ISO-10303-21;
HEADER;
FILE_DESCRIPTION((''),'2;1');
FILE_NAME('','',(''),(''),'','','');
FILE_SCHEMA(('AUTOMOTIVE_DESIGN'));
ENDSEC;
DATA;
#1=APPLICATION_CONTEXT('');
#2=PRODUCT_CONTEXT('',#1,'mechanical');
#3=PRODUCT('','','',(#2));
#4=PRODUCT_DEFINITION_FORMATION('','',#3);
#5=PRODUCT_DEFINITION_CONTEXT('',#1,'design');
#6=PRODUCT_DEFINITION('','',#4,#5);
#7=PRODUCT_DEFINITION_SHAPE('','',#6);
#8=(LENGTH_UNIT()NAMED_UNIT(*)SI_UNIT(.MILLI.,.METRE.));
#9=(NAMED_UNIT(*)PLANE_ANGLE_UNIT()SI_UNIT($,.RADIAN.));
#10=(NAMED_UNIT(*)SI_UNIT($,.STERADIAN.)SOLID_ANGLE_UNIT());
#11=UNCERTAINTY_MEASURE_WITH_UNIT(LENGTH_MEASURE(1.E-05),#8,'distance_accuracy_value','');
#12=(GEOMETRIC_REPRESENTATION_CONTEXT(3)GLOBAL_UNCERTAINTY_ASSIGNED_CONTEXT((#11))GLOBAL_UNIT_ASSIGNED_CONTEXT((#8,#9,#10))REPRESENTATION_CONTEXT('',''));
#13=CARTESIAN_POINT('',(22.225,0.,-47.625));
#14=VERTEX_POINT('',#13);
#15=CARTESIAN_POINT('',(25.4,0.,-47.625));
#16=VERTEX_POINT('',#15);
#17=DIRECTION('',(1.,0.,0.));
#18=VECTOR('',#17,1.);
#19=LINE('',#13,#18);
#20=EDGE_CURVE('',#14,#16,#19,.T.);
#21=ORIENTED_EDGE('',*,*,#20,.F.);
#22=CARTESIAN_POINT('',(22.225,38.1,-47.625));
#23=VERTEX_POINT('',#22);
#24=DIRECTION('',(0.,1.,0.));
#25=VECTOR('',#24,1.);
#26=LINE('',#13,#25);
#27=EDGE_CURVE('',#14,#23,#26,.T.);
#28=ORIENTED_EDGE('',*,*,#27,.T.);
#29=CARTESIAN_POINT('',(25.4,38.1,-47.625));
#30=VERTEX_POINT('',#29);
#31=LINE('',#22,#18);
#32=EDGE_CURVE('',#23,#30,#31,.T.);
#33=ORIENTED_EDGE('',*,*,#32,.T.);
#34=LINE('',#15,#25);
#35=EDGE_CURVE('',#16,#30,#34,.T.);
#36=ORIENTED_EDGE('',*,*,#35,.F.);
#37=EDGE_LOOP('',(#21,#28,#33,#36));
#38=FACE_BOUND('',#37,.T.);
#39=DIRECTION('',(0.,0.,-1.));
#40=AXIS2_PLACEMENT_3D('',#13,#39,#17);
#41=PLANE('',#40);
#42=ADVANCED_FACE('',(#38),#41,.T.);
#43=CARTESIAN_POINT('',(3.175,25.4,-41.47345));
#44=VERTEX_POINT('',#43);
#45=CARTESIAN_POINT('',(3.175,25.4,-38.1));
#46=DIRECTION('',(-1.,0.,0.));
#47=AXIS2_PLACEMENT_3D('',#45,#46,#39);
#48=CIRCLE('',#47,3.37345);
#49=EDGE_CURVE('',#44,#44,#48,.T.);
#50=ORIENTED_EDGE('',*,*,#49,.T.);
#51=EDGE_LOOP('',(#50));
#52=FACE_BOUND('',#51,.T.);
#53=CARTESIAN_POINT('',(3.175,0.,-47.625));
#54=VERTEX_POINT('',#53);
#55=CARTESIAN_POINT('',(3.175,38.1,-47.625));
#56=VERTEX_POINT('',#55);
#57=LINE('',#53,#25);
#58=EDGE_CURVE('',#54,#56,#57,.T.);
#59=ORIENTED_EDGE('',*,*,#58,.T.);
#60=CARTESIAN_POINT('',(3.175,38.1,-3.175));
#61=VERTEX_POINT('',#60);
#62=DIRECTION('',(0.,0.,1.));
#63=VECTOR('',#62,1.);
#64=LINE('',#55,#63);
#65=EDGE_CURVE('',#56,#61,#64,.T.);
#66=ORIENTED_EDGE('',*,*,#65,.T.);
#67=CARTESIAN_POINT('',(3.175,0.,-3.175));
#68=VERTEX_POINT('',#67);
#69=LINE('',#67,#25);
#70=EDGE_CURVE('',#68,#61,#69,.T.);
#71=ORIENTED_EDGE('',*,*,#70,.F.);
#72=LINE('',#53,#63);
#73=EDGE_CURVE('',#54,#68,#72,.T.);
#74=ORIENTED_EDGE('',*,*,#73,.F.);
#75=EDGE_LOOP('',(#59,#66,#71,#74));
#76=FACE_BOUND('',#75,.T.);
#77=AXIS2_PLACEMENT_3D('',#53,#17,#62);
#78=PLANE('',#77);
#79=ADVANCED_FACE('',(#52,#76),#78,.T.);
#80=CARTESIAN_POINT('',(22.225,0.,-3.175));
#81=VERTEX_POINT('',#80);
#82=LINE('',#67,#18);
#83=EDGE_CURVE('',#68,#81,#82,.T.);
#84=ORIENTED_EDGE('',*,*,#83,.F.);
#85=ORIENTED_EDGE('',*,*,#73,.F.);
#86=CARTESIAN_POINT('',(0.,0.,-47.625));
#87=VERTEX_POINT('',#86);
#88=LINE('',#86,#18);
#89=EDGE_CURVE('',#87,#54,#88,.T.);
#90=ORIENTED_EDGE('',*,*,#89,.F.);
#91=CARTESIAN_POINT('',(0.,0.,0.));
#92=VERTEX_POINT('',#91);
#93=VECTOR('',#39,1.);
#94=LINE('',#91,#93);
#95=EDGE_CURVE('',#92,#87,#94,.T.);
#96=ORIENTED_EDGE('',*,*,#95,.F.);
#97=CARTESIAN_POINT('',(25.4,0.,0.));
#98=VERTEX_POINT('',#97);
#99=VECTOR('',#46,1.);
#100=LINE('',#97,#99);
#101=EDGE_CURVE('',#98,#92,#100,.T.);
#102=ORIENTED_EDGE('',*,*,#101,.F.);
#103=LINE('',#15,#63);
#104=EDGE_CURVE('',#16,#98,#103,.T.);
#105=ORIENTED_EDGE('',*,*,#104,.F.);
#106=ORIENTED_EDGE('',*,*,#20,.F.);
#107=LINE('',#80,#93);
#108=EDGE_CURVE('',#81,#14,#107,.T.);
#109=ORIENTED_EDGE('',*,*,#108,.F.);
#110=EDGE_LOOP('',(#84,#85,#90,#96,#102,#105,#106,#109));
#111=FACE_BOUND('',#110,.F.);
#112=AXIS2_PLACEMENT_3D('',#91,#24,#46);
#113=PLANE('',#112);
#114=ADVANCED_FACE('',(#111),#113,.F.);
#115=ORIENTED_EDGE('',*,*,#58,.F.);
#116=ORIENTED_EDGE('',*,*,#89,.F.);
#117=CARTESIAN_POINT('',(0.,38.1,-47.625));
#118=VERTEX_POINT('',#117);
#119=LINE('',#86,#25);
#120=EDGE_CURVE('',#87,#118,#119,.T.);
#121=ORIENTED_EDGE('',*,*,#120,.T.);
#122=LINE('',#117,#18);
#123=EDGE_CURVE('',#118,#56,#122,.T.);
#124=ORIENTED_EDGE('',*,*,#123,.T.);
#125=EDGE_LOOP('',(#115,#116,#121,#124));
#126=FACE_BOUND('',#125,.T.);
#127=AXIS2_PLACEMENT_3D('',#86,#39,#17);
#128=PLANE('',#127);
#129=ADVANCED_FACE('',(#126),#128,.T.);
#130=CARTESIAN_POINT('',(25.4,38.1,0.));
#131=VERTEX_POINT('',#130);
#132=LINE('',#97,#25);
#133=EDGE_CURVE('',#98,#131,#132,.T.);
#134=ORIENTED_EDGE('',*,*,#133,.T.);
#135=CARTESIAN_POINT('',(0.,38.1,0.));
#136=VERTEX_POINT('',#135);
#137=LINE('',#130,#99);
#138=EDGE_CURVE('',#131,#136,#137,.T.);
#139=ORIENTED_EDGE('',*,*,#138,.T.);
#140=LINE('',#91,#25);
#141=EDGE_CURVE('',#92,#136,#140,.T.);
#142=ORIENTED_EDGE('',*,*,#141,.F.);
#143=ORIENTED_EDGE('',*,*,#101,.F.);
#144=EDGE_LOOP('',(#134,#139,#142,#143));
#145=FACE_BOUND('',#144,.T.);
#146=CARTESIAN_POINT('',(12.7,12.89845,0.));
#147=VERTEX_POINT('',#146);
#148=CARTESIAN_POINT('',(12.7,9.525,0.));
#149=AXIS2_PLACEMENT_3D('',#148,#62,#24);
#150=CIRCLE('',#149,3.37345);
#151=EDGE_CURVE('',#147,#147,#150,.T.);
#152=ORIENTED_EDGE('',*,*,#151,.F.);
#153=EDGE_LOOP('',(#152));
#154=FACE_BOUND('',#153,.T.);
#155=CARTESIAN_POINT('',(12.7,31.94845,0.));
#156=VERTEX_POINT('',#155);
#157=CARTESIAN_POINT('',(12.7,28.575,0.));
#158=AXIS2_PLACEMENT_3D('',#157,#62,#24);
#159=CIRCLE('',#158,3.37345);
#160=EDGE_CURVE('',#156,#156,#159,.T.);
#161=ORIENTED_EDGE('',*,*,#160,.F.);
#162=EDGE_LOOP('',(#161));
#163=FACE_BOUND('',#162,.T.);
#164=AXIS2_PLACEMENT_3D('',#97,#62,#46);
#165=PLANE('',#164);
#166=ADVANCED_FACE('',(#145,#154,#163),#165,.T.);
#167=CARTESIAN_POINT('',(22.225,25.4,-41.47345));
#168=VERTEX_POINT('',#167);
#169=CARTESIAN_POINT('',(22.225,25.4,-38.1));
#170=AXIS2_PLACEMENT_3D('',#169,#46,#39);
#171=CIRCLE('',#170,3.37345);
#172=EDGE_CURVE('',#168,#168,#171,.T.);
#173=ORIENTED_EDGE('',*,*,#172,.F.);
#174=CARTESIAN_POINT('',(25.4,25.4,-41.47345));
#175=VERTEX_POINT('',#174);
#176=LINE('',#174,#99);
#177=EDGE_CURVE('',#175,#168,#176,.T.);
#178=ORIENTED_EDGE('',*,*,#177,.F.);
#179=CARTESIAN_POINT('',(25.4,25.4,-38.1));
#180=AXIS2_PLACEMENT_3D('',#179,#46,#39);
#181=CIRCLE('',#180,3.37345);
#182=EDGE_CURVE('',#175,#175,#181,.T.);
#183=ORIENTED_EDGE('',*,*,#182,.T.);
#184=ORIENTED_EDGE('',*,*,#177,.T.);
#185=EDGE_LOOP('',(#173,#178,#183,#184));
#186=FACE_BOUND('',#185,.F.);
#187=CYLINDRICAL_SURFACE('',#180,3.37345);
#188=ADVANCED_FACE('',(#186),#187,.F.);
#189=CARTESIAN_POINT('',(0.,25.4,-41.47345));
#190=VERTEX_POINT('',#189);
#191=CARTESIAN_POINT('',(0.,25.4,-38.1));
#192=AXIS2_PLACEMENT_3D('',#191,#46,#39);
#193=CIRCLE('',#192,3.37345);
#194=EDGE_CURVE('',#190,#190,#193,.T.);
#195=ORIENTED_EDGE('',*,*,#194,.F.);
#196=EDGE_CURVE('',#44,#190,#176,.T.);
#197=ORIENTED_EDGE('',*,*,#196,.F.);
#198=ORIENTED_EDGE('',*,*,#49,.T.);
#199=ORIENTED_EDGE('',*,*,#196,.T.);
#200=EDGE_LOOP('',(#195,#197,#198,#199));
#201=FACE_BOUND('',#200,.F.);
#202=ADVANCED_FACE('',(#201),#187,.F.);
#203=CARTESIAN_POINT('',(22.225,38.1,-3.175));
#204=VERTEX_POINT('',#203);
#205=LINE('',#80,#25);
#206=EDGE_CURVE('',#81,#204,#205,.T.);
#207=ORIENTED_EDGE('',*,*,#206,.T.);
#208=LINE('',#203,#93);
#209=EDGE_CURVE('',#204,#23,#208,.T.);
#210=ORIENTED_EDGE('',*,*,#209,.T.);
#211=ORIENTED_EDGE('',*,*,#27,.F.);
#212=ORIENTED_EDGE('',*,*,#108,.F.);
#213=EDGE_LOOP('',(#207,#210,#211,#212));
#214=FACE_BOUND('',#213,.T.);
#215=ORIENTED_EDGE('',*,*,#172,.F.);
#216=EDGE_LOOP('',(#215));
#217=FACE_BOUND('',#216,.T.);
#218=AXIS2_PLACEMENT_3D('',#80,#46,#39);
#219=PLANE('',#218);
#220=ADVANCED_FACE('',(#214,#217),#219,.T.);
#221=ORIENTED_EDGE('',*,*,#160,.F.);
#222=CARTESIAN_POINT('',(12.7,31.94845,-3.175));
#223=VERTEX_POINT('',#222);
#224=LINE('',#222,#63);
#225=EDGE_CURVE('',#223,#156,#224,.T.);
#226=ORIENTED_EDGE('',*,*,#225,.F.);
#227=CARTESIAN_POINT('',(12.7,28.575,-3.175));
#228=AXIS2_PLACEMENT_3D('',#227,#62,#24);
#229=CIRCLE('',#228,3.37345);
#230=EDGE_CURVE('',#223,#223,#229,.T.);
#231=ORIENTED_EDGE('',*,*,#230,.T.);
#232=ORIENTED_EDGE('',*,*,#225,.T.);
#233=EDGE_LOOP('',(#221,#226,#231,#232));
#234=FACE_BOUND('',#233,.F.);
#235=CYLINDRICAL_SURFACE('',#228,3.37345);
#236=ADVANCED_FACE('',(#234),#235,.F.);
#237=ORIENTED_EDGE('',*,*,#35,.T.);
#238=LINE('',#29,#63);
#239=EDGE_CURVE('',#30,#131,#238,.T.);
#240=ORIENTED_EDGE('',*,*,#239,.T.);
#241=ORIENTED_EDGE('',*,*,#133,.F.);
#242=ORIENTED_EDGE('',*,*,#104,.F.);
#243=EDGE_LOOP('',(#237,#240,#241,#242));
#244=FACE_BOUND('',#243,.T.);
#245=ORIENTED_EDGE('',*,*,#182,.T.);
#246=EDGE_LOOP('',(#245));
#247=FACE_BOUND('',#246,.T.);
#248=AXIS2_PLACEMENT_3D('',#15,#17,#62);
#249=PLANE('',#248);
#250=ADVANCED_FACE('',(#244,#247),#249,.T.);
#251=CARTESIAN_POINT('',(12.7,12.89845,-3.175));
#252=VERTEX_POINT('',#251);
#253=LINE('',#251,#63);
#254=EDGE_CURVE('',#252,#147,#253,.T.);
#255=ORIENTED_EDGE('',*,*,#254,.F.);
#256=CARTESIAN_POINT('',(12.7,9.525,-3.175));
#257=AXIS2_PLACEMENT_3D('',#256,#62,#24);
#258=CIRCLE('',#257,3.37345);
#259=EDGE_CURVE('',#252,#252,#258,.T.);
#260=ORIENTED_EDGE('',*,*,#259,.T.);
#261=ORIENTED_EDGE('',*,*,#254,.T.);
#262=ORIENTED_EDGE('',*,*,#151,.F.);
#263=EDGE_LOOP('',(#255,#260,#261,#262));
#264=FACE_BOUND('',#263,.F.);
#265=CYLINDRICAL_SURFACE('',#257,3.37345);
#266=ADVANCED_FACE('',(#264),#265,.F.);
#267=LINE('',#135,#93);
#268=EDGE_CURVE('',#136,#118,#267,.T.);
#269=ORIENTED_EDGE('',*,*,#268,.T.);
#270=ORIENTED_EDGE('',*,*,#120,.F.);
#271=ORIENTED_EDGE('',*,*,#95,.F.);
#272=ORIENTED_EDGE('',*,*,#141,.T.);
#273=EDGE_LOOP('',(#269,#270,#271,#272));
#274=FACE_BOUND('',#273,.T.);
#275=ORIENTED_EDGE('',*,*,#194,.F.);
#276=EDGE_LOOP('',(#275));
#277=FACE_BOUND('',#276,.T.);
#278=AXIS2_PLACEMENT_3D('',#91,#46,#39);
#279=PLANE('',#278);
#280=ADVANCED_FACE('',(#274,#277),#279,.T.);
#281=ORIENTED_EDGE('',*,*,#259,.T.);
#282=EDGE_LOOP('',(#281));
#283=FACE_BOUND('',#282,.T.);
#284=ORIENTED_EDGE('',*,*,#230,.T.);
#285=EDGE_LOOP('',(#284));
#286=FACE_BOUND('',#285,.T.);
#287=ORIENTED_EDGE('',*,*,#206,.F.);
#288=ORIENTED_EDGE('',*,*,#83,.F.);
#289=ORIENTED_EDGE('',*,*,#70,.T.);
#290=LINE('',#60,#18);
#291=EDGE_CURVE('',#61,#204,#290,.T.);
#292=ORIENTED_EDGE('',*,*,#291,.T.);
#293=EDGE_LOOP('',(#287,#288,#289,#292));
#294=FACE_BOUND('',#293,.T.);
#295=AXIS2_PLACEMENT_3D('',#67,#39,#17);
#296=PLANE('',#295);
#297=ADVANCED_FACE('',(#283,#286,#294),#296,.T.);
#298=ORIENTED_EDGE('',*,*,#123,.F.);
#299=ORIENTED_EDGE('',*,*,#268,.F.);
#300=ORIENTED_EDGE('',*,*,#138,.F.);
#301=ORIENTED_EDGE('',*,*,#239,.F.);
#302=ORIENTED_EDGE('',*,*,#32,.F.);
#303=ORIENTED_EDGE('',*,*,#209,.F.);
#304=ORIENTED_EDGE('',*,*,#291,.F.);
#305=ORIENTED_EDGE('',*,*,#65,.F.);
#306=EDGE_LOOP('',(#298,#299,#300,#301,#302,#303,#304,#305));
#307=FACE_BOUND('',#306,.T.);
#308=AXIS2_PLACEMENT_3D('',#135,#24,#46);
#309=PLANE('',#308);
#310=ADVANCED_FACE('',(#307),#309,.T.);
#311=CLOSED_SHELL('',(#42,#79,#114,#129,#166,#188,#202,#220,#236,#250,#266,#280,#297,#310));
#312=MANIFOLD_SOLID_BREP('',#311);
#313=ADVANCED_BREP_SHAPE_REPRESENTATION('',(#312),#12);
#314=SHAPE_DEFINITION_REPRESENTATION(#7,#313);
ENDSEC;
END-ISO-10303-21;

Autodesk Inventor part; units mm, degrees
ref_plane "YZ Plane" through (0, 0, 0) normal (1, 0, 0) x (0, 1, 0)
ref_plane "XZ Plane" through (0, 0, 0) normal (0, 1, 0) x (-1, 0, 0)
ref_plane "XY Plane" through (0, 0, 0) normal (0, 0, 1) x (1, 0, 0)
sketch "Sketch1" plane through (0, 0, 0) normal (0, 1, 0) x (-1, 0, 0)
  line L0 (0, 0) -> (0, -47.625)
  line L1 (0, -47.625) -> (-3.175, -47.625)
  line L2 (-3.175, -47.625) -> (-3.175, -3.175)
  line L3 (-3.175, -3.175) -> (-22.225, -3.175)
  line L4 (-22.225, -3.175) -> (-22.225, -47.625)
  line L5 (-22.225, -47.625) -> (-25.4, -47.625)
  line L6 (-25.4, -47.625) -> (-25.4, 0)
  line L7 (-25.4, 0) -> (0, 0)
  dimension "d0" = 3.175
  dimension "d1" = 47.625
  dimension "d2" = 3.175
  dimension "d3" = 25.4
  dimension "d4" = 3.175
extrude "Extrusion1" add sketch "Sketch1" along normal blind 38.1
sketch "Sketch2" plane through (25.4, 0, 0) normal (1, 0, 0) x (0, 0, -1)
  line L0 (47.625, 0) -> (47.625, 38.1) projected
  line L1 (47.625, 0) -> (0, 0) projected
  point P0 (38.1, 25.4)
  dimension "d7" = 9.525
  dimension "d8" = 25.4
hole "Hole1" at (25.4, 25.4, -38.1) direction (-1, 0, 0) diameter 6.7469 end through all
sketch "Sketch3" plane through (22.225, 0, -3.175) normal (0, 0, -1) x (-1, 0, 0)
  line L0 (-3.175, 0) -> (22.225, 0) projected
  line L1 (0, 38.1) -> (19.05, 38.1) projected
  line L2 (22.225, 0) -> (22.225, 38.1) projected
  line L3 (-3.175, 0) -> (-3.175, 38.1) projected
  point P0 (9.525, 9.525)
  point P1 (9.525, 28.575)
  point P2 (22.225, 31.75)
  point P3 (-3.175, 31.75)
  dimension "d19" = 9.525
  dimension "d20" = 9.525
  dimension "d21" = 12.7
  dimension "d22" = 12.7
hole "Hole2" at (12.7, 9.525, -3.175) at (12.7, 28.575, -3.175) direction (0, 0, 1) diameter 6.7469 end through all
properties part number "15102898-16-P-0311" material "Aluminum 6061"
